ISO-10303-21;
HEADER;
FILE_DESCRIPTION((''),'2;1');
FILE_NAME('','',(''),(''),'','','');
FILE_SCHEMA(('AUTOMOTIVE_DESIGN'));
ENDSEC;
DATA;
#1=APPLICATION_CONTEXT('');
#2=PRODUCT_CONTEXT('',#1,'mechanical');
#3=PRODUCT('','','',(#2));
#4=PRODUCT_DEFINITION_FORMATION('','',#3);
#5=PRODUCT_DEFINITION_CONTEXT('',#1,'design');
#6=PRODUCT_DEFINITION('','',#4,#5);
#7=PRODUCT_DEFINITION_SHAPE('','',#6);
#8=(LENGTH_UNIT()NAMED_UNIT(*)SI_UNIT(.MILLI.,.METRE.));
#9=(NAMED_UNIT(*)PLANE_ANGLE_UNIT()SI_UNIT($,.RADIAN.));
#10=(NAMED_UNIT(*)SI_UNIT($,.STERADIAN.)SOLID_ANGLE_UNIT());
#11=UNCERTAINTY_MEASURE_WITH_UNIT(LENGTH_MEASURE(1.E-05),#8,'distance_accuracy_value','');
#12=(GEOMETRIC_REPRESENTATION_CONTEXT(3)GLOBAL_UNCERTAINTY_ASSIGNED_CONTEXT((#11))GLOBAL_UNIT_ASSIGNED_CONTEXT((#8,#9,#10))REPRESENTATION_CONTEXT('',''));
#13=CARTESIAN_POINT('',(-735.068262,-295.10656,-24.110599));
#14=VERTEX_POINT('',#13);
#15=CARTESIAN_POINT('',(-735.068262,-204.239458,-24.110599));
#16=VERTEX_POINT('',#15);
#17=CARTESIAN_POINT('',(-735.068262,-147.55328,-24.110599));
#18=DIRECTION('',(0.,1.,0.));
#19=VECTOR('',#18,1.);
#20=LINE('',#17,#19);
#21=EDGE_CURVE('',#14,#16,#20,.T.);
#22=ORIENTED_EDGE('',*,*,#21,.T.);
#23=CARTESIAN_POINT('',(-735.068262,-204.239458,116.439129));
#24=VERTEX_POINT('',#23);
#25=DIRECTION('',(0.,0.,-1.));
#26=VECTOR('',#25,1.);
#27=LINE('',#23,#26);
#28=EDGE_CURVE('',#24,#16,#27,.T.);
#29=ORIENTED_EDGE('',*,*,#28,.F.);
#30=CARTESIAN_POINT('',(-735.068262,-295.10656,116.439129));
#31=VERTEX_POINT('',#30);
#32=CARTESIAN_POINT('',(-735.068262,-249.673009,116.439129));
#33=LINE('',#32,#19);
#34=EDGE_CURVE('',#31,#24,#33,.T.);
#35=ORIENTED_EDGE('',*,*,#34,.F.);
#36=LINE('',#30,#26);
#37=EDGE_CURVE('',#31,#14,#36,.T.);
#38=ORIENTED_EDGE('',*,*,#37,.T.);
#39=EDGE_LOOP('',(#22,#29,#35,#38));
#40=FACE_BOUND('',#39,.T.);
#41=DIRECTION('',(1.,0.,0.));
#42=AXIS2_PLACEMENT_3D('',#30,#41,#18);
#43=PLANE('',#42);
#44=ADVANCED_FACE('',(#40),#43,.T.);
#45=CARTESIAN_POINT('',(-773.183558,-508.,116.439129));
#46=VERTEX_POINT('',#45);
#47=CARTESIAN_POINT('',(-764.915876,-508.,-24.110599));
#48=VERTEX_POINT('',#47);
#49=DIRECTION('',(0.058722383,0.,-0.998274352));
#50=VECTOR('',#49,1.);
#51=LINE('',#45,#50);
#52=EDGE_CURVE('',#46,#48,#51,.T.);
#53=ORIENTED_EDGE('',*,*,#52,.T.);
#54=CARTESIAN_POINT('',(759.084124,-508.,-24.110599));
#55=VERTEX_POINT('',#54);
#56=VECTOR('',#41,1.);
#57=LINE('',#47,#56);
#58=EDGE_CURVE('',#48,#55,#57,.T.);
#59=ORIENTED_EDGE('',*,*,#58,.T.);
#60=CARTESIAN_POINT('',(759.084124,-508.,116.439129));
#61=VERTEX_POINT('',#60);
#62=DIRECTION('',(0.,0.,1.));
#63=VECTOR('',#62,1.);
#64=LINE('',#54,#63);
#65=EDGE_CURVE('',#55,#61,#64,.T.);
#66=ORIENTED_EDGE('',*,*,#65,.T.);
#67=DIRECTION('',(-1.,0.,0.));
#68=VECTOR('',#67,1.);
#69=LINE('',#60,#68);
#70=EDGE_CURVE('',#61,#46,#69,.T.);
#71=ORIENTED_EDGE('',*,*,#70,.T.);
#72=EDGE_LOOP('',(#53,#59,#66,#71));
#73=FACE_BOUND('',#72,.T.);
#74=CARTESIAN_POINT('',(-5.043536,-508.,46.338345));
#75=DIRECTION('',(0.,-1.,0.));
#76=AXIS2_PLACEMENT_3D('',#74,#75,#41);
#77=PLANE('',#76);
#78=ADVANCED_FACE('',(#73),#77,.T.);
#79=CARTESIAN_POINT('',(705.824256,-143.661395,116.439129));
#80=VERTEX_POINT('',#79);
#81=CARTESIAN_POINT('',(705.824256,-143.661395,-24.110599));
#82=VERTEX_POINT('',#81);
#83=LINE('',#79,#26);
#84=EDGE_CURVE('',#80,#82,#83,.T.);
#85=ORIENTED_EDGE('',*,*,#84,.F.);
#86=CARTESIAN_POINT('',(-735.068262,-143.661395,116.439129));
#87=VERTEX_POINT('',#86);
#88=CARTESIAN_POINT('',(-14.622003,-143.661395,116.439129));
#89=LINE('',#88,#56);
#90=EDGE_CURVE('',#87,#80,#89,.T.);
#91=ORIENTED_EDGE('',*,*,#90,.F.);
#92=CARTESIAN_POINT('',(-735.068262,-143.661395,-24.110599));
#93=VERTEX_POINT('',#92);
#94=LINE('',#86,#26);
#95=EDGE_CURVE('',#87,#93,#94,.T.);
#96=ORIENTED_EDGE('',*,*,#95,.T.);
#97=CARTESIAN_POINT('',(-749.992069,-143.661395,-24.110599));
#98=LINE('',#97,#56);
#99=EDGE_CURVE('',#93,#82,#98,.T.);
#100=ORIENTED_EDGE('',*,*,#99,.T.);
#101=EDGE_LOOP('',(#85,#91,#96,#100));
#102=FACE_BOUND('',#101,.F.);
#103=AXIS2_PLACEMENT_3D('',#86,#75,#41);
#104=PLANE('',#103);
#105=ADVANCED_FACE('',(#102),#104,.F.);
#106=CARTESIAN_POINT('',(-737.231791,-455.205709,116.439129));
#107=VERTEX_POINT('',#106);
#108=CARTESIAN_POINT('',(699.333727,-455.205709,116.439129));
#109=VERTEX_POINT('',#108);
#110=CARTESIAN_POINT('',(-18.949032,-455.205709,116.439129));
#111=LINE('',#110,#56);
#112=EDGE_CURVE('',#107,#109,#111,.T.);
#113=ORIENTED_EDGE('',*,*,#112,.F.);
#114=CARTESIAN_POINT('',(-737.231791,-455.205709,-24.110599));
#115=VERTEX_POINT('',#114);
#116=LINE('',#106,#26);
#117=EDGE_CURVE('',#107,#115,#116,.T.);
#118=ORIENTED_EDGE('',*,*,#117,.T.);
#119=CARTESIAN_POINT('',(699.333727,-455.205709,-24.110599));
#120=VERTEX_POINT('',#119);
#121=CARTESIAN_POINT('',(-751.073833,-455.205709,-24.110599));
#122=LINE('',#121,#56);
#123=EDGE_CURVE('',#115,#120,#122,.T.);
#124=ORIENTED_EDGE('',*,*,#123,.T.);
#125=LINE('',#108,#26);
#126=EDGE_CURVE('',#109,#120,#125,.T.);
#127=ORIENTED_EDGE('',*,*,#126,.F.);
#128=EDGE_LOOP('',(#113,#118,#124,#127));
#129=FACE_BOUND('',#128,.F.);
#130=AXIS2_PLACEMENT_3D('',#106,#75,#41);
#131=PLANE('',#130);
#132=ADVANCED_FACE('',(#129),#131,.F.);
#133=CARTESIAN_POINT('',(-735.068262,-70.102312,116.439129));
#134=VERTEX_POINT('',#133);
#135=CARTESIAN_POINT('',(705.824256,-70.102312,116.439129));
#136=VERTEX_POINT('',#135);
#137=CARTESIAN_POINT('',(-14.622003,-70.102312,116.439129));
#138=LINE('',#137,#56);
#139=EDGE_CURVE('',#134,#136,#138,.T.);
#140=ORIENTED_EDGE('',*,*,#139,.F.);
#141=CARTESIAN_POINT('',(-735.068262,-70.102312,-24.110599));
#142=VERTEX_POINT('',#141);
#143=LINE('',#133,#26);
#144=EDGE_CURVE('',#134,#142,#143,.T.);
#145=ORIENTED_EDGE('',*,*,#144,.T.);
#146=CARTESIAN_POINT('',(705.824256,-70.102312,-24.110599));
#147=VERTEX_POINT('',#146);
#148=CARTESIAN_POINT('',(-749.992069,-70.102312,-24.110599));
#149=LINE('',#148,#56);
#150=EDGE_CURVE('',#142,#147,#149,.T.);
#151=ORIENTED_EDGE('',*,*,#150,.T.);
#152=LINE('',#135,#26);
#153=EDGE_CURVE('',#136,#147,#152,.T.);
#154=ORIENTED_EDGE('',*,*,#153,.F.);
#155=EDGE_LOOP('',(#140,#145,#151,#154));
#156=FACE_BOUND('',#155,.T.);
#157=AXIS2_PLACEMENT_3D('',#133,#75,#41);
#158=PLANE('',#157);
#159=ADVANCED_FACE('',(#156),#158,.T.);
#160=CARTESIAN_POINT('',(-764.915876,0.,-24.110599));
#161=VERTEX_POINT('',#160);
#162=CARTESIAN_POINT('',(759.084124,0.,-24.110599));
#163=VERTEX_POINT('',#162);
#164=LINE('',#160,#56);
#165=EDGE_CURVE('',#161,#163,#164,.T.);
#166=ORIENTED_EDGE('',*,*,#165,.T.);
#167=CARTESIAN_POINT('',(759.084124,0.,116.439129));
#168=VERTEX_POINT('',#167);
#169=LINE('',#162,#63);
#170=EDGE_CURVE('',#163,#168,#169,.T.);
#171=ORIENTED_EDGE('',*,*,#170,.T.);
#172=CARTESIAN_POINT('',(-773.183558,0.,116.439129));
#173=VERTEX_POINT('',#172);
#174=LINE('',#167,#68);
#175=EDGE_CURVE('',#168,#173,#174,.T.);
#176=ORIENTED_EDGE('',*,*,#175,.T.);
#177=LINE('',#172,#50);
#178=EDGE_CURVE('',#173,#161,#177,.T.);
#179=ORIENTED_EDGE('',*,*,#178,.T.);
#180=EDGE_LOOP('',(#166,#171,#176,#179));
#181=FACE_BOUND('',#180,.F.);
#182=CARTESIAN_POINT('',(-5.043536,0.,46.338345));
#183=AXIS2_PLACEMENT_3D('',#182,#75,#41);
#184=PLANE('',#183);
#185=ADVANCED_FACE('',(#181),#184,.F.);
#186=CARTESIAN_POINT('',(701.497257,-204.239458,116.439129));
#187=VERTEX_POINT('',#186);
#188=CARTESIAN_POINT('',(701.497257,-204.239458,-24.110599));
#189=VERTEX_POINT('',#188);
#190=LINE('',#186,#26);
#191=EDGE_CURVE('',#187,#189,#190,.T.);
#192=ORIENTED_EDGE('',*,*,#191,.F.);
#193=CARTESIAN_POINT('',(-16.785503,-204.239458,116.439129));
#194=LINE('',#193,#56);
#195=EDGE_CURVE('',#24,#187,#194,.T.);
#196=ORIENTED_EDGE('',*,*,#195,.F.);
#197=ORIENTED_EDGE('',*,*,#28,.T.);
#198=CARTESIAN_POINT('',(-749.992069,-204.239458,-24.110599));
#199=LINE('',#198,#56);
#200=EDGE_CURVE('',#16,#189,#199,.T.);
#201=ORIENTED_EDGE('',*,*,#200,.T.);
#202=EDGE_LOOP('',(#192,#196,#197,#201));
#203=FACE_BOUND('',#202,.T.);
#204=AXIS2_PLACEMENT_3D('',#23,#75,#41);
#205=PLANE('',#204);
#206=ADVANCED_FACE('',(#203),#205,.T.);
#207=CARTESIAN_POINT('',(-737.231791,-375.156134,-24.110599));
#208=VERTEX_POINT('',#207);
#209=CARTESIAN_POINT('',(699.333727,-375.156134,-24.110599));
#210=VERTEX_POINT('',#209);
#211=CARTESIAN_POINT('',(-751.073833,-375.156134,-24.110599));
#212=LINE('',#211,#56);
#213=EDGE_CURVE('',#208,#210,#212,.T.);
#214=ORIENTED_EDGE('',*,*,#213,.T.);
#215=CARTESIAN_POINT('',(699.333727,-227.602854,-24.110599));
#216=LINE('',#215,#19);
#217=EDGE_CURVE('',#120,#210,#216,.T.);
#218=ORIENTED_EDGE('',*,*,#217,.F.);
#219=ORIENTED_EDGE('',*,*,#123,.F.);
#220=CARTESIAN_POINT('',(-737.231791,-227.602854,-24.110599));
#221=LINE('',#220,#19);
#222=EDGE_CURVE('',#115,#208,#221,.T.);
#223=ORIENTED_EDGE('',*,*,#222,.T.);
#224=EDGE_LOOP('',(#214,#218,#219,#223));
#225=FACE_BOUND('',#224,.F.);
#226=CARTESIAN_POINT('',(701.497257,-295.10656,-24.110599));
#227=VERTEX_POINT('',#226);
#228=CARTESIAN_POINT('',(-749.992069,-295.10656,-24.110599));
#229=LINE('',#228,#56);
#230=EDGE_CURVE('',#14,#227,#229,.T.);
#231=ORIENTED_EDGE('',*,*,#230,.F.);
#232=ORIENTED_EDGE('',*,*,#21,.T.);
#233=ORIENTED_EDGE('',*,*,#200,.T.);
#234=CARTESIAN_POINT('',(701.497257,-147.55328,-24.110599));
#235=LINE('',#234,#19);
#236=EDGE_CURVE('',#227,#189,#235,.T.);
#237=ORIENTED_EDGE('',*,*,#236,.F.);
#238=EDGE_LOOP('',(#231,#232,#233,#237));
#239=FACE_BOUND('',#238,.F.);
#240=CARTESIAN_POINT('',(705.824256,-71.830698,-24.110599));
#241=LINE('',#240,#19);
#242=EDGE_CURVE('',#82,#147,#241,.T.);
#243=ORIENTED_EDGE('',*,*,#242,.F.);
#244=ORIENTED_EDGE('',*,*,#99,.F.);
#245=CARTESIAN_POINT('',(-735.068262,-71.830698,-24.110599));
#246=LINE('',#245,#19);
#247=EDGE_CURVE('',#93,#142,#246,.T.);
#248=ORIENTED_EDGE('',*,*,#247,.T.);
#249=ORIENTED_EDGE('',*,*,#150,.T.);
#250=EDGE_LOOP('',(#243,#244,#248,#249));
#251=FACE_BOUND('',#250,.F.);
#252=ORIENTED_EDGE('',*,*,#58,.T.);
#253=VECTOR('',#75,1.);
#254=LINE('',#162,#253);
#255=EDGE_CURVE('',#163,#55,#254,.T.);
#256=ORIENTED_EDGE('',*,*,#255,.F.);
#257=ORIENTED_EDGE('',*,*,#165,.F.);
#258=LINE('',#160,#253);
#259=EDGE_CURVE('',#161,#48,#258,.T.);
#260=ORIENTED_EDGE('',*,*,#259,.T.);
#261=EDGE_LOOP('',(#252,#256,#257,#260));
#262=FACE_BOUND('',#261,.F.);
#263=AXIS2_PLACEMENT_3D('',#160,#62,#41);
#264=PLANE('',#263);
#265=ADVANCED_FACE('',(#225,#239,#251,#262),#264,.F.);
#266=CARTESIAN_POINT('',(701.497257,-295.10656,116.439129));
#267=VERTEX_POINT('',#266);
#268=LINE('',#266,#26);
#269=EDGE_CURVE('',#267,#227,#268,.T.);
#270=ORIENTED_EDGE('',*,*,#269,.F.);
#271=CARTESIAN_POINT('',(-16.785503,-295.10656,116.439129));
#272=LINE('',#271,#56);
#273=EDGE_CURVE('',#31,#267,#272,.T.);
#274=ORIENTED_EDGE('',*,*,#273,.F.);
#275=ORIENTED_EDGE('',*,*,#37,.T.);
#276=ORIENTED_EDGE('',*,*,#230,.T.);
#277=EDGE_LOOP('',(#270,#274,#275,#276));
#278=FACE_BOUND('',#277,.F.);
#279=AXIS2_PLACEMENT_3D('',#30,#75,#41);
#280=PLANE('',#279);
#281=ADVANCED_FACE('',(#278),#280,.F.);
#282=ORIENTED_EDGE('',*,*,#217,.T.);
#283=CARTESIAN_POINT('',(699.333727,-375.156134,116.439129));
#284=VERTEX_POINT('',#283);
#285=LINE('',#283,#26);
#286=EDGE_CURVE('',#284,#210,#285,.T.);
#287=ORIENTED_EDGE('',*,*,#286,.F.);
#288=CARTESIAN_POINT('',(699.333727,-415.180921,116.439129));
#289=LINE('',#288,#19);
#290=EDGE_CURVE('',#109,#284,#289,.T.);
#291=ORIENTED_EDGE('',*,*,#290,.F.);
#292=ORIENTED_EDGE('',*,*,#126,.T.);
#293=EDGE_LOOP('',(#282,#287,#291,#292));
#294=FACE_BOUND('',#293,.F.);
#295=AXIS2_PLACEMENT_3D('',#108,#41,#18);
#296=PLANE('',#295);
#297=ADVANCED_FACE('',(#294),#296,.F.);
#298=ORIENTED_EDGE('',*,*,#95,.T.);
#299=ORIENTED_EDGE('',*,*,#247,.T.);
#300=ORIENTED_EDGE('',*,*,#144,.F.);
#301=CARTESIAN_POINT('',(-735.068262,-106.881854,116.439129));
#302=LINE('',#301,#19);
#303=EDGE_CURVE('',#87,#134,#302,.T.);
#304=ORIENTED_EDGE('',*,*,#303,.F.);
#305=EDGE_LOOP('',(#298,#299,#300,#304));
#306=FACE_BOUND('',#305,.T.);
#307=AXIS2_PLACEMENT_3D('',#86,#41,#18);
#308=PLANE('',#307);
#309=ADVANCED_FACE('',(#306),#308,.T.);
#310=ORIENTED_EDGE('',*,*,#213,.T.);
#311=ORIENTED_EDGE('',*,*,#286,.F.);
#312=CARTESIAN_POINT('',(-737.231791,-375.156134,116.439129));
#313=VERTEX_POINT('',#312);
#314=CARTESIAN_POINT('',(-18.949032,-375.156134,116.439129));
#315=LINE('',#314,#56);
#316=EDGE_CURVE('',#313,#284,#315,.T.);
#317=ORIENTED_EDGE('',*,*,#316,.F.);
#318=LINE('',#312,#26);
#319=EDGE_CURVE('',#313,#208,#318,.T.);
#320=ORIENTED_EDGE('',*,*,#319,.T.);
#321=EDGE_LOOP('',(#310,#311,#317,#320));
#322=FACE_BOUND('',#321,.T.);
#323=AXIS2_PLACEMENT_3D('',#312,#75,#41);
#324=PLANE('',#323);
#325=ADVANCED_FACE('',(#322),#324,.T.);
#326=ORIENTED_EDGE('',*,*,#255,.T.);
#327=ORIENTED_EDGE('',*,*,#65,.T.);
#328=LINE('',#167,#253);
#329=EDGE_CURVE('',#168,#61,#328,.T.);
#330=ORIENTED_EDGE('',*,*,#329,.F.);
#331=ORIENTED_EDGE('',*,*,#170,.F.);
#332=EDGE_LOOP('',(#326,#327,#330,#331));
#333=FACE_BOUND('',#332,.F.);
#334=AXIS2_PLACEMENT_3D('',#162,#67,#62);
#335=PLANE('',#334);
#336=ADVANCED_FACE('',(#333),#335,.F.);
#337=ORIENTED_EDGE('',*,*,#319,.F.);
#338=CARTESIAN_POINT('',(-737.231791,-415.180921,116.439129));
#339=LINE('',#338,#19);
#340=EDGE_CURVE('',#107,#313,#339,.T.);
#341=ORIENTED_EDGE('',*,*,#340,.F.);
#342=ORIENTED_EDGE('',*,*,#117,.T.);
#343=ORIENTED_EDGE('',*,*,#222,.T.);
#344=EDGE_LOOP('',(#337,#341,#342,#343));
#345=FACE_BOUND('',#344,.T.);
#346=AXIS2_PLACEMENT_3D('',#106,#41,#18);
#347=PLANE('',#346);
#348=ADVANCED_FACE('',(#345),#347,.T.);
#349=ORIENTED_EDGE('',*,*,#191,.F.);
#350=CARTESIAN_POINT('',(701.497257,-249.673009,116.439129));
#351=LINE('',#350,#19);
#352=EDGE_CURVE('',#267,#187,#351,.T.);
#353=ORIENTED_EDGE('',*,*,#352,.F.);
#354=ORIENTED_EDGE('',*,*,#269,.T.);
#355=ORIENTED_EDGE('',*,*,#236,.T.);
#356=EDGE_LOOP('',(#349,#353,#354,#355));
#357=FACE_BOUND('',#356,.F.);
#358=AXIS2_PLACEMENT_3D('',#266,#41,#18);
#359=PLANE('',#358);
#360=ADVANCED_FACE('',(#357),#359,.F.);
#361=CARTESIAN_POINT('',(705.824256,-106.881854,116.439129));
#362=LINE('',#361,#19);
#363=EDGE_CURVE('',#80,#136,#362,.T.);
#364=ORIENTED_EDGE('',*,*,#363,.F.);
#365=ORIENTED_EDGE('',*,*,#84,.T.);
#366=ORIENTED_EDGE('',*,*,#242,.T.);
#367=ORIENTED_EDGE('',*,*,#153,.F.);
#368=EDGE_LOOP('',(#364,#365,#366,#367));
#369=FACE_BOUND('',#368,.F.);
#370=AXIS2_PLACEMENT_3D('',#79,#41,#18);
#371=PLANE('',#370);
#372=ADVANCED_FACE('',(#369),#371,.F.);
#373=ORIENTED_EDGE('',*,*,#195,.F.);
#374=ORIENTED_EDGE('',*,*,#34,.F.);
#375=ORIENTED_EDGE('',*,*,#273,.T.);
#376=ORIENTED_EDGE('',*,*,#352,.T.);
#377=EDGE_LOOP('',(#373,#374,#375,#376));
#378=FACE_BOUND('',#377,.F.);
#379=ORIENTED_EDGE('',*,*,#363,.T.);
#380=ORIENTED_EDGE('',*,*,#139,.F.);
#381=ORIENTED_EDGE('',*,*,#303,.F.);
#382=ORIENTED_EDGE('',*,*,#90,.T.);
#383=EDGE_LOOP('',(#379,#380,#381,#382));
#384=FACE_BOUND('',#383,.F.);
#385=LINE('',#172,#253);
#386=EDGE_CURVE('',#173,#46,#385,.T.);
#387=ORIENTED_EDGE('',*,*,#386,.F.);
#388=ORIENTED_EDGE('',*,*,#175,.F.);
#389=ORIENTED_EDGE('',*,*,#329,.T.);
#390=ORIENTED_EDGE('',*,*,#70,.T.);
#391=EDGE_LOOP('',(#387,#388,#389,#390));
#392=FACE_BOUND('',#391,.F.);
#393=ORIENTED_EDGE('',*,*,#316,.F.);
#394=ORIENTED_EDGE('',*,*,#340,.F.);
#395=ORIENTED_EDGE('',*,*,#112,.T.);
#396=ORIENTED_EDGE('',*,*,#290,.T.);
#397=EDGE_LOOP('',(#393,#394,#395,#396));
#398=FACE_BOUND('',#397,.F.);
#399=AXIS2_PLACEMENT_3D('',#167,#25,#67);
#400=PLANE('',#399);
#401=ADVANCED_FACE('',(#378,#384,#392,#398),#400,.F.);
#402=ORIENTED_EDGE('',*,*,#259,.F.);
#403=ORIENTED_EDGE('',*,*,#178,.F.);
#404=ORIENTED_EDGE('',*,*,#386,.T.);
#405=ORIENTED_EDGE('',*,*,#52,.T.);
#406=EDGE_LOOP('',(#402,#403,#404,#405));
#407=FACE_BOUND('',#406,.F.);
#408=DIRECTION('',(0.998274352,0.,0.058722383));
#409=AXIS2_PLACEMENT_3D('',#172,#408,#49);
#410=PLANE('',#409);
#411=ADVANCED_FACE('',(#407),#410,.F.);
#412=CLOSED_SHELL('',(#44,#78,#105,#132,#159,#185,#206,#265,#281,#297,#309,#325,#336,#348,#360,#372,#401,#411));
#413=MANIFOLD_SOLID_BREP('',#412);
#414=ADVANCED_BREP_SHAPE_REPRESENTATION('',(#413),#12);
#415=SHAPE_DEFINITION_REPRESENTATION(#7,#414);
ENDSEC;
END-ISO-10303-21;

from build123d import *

# Parameters (mm, degrees)
F1_DEPTH = 508
F2_W     = 1436.565518
F2_H     = 80.049575
F2_W_2   = 1436.565519
F2_H_2   = 90.867102
F2_W_3   = 1440.892518
F2_H_3   = 73.559083
F3_DEPTH = 254


with BuildPart() as f1:
    # F0 (on Front) → F1 (new body)
    with BuildSketch(Plane.XZ):
        Polygon((759.084124, 116.439129), (-773.183558, 116.439129), (-764.915876, -24.110599), (759.084124, -24.110599), align=None)
    extrude(amount=F1_DEPTH)

    # F2 (on face) → F3 (cut)
    with BuildSketch(Plane.XY.offset(116.439129)):
        with Locations((-18.949032, -415.180921)):
            Rectangle(F2_W, F2_H)
        with Locations((-16.785503, -249.673009)):
            Rectangle(F2_W_2, F2_H_2)
        with Locations((-14.622003, -106.881854)):
            Rectangle(F2_W_3, F2_H_3)
    extrude(amount=-F3_DEPTH, mode=Mode.SUBTRACT)


solid = f1.part
